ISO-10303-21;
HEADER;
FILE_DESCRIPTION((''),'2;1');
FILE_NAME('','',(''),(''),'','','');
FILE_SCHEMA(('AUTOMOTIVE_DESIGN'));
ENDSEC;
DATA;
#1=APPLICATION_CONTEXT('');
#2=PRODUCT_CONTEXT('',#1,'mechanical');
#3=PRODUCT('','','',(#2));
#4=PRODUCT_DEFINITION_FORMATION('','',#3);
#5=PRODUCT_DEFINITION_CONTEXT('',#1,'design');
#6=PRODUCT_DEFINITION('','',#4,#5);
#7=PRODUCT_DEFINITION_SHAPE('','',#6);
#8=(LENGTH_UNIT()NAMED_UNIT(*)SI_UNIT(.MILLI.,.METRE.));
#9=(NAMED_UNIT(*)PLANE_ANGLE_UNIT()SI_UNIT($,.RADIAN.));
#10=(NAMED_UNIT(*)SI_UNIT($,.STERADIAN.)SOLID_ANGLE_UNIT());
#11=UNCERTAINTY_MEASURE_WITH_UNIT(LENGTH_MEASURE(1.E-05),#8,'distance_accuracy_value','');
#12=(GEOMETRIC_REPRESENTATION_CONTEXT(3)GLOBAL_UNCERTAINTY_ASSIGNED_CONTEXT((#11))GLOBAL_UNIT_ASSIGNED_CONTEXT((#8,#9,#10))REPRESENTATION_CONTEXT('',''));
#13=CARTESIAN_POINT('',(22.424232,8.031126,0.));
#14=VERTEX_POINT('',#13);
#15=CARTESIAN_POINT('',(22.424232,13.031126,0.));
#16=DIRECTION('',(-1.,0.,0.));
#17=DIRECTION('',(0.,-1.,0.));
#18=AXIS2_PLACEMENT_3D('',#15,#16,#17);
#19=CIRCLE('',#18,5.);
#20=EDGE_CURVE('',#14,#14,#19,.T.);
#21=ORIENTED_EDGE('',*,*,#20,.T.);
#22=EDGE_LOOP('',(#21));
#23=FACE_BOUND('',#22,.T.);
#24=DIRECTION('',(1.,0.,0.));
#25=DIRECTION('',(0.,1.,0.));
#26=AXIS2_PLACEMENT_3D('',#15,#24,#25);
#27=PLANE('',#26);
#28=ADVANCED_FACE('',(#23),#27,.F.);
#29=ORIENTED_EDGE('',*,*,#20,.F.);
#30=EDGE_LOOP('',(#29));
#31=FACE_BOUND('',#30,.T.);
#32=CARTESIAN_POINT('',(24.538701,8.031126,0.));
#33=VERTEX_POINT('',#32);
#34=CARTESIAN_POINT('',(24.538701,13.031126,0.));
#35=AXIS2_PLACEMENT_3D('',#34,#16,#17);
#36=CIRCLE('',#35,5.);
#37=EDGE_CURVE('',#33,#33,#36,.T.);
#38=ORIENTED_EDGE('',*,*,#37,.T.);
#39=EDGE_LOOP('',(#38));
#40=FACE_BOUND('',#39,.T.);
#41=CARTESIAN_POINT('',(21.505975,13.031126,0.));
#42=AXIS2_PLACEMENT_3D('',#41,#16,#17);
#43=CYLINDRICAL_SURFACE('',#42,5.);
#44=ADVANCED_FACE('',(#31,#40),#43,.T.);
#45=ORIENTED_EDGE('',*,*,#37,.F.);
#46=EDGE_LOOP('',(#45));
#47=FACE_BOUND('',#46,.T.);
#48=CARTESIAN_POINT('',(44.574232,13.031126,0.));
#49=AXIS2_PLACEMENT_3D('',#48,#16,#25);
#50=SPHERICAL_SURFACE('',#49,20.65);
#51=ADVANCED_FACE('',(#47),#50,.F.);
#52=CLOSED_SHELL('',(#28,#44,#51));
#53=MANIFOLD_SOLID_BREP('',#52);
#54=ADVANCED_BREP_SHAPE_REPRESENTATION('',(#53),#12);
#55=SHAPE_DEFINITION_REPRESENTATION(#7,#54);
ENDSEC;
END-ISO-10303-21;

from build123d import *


with BuildPart() as part:
    # 草图1 → 旋转1 (revolve)
    with BuildSketch(Plane.XY):
        with BuildLine():
            Line((22.424232054, 13.031126091), (22.424232054, 18.031126091))
            Line((22.424232054, 18.031126091), (24.538701115, 18.031126091))
            ThreePointArc((24.538701115, 18.031126091), (24.078424996, 15.549933956), (23.924232054, 13.031126091))
            Line((23.924232054, 13.031126091), (22.424232054, 13.031126091))
        make_face()
    revolve(axis=Axis((21.505975118, 13.031126091, 0), (1, 0, 0)))


solid = part.part
